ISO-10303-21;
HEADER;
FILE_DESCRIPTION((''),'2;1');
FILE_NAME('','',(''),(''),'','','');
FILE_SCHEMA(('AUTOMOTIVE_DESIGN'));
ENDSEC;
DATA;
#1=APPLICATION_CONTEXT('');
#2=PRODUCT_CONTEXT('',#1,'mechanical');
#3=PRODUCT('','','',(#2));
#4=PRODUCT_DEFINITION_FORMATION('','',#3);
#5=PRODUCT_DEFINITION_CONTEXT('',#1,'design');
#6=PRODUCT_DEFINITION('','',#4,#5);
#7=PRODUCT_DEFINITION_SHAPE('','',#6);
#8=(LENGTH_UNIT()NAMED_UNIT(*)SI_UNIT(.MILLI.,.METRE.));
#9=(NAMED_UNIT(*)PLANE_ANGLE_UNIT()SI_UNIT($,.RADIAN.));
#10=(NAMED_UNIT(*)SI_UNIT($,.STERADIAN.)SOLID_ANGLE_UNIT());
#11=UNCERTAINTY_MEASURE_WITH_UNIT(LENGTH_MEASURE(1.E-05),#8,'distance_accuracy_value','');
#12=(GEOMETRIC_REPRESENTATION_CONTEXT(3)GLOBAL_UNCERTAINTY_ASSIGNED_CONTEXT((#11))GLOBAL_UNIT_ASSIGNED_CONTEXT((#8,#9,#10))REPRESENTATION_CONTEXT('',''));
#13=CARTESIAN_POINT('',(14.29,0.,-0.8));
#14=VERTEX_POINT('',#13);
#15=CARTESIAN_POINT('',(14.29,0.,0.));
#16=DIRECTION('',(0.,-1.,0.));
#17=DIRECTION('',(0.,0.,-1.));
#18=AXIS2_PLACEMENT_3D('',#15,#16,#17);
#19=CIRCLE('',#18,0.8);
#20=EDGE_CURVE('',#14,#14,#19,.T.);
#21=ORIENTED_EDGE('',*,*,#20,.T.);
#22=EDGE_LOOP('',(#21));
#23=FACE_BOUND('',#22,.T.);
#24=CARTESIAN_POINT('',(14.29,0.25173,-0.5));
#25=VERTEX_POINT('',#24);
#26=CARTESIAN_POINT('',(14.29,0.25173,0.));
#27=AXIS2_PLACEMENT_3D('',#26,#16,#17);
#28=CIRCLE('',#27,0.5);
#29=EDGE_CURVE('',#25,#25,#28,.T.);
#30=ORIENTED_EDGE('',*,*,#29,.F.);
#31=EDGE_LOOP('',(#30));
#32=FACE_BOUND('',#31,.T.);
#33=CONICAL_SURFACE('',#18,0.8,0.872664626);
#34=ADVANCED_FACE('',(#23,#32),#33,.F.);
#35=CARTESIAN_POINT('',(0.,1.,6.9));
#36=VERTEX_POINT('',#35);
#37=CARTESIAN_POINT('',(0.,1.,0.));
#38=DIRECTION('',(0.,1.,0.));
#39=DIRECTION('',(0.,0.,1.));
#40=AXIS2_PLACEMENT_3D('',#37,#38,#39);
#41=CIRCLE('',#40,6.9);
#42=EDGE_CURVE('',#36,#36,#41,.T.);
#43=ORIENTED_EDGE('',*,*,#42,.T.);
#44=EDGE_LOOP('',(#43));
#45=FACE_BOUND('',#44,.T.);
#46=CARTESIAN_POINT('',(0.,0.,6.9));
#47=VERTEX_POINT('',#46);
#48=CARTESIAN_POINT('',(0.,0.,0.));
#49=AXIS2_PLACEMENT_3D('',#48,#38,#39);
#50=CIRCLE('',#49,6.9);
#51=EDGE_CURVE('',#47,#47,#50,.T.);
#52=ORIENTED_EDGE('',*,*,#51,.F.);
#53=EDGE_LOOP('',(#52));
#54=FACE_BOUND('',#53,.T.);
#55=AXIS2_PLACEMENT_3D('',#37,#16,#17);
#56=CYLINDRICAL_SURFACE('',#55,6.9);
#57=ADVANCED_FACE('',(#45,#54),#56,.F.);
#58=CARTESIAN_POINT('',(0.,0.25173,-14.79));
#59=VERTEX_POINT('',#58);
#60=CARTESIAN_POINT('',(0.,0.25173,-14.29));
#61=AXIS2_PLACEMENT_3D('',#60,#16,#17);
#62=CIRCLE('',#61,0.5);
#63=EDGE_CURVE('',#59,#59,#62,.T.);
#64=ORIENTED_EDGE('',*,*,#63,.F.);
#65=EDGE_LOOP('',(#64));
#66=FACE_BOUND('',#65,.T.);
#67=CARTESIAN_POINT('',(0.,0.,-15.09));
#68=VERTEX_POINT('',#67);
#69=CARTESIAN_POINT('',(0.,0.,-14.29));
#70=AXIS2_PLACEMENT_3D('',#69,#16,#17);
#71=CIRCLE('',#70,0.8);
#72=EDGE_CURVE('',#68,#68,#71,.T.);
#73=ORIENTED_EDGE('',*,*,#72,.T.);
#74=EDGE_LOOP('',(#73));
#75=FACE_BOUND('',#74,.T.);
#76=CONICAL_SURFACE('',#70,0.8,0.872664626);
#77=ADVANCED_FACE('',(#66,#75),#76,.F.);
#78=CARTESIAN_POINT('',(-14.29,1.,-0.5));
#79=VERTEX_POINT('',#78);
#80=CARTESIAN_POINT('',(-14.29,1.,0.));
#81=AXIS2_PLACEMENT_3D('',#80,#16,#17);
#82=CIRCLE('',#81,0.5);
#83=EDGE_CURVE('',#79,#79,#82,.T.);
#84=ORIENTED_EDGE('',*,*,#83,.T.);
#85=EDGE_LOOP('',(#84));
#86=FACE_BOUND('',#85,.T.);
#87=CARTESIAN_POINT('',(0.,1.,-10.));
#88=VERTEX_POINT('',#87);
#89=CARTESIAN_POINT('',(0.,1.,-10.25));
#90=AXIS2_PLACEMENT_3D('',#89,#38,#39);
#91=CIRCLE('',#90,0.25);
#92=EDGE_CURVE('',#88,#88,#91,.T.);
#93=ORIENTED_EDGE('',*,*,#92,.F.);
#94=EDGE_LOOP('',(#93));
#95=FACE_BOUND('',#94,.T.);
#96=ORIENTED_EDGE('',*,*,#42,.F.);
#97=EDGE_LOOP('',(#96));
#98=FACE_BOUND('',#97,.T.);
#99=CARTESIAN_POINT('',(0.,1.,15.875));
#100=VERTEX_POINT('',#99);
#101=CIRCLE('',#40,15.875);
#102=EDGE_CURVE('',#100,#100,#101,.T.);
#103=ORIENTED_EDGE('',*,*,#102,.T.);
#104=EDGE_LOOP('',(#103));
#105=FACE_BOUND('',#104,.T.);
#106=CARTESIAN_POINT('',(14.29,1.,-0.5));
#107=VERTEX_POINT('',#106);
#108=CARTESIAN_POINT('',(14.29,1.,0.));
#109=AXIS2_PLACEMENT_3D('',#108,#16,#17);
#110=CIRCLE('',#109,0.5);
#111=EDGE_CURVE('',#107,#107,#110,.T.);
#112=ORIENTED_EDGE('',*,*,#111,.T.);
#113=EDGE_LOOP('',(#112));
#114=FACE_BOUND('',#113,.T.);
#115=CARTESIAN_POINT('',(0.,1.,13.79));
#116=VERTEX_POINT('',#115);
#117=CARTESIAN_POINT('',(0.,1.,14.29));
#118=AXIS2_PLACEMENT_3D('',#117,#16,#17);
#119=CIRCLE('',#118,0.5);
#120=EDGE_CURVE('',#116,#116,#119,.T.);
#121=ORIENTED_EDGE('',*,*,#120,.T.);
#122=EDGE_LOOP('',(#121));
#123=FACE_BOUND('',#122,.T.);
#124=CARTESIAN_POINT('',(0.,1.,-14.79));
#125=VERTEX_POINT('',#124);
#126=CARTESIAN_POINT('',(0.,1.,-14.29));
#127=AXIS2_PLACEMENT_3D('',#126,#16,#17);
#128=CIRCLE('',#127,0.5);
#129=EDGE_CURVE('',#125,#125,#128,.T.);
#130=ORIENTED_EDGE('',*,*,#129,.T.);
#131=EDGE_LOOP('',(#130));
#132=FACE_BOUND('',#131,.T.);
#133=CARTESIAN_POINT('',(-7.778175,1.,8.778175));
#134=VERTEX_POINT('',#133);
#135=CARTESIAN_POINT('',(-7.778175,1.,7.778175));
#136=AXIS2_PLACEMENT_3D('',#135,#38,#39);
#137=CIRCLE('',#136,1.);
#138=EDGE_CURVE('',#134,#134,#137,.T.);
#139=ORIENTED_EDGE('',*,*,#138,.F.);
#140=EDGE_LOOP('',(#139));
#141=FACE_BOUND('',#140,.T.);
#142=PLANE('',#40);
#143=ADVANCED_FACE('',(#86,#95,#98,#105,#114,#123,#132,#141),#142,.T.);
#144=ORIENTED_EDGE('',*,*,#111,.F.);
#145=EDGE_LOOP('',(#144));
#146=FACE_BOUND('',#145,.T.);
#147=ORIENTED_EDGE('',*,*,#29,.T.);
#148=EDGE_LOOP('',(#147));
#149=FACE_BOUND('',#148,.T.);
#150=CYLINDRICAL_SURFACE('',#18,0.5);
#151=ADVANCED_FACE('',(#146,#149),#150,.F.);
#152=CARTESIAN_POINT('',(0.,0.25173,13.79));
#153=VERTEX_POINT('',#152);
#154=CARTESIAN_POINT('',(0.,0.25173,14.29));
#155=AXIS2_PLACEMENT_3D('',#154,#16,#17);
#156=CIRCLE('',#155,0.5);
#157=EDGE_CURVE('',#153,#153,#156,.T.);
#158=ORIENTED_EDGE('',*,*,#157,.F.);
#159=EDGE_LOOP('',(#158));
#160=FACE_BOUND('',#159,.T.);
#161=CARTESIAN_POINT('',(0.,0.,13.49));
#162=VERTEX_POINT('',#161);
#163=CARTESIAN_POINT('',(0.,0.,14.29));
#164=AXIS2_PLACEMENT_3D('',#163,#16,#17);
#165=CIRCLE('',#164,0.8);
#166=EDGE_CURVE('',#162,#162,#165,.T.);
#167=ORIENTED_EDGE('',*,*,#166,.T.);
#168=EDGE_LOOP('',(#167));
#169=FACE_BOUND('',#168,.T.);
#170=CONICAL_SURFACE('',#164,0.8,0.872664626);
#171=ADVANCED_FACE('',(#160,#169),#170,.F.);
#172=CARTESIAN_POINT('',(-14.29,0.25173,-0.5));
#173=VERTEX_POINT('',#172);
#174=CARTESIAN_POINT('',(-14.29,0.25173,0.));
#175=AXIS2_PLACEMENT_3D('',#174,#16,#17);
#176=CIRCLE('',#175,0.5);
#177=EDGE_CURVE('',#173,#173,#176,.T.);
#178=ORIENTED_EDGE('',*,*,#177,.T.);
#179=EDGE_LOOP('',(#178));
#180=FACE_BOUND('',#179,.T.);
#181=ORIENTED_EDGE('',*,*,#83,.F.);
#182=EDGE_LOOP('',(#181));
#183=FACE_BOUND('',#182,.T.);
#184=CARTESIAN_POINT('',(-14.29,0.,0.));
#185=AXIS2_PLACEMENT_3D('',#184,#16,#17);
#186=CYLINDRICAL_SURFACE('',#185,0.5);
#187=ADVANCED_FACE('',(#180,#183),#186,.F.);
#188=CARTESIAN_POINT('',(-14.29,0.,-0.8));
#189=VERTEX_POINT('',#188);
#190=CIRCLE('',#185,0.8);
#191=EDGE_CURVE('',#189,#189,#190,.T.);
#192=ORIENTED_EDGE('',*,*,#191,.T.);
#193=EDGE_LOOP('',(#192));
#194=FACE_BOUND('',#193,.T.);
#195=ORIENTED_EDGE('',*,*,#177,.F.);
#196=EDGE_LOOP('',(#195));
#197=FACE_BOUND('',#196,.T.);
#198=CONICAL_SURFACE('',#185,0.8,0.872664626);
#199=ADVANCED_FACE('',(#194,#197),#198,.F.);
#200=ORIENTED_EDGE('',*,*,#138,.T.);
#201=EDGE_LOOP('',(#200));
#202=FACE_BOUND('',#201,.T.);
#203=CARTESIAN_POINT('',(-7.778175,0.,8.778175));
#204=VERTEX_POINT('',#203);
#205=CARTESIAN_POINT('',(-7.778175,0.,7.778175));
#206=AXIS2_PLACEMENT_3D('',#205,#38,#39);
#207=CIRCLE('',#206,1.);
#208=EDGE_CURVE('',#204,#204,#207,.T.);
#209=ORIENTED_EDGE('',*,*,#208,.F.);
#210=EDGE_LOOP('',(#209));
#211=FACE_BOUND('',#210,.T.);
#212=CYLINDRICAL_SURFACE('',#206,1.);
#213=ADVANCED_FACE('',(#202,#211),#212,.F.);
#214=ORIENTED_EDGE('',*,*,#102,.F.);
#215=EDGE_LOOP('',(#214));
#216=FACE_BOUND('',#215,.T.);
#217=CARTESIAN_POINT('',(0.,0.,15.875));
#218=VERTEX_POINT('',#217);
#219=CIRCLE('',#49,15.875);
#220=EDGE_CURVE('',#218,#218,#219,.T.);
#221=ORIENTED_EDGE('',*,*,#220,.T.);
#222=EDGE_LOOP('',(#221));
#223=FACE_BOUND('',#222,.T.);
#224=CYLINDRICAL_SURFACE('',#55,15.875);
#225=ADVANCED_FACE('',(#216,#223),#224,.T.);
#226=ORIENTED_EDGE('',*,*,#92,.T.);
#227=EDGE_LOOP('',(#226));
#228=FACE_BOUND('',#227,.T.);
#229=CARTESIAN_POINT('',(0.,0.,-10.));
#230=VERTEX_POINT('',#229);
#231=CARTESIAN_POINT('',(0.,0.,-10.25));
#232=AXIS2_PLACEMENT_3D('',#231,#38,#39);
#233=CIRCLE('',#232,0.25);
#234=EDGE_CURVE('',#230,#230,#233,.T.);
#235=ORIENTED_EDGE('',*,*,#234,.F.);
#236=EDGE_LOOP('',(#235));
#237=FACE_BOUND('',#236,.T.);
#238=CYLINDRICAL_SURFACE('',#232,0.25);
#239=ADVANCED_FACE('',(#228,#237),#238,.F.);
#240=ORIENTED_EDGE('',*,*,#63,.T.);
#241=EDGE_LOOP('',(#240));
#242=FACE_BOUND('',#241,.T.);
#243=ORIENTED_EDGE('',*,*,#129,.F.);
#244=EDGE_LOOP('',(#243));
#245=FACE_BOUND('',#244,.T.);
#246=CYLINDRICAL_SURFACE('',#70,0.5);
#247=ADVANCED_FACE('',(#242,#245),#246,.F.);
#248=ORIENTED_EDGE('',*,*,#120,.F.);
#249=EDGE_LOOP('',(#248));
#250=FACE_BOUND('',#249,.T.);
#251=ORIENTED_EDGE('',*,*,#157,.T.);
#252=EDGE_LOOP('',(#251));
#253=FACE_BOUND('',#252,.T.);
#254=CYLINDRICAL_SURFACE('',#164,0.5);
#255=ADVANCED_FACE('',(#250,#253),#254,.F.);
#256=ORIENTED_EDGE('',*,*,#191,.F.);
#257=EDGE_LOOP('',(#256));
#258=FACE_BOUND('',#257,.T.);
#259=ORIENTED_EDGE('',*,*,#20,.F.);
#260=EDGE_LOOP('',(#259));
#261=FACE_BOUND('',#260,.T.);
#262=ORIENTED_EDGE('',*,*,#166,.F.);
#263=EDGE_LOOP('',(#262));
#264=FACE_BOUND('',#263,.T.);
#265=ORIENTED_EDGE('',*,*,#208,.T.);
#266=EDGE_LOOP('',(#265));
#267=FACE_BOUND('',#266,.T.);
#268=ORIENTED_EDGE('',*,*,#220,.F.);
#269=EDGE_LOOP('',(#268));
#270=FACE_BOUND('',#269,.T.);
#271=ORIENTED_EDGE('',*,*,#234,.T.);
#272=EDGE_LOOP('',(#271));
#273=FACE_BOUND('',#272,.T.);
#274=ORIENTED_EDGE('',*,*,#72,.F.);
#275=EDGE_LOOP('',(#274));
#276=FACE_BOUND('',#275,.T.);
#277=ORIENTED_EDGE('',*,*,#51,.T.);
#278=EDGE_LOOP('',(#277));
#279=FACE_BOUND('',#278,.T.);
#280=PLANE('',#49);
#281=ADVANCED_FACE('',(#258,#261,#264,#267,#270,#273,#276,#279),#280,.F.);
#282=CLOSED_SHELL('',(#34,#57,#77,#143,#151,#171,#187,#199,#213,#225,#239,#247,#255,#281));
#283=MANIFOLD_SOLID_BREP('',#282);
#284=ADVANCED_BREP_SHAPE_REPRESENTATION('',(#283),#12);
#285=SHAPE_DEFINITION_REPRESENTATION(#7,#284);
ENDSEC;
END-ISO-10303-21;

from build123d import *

# Parameters (mm, degrees)
SKETCH1_R                                       = 15.875
SKETCH1_R_2                                     = 6.9
BOSS_EXTRUDE1_DEPTH                             = 1
CSK_FOR_M2_FLAT_HEAD_MACHINE_SCREW1_D           = 1
CSK_FOR_M2_FLAT_HEAD_MACHINE_SCREW1_CSINK_D     = 1.6
CSK_FOR_M2_FLAT_HEAD_MACHINE_SCREW1_CSINK_ANGLE = 100
CUT_EXTRUDE1_DEPTH                              = 23.472900347
CUT_EXTRUDE1_DEPTH_BACK                         = 23.472900347
SKETCH4_R                                       = 0.25
SKETCH4_R_2                                     = 1


with BuildPart() as part:
    # Sketch1 → Boss-Extrude1 (new body)
    with BuildSketch(Plane(origin=(0, 0, 0), x_dir=(1, 0, 0), z_dir=(0, 1, 0))):
        with Locations(Location((0, 0, 0), (0, 0, 270))):
            Circle(SKETCH1_R)
        with Locations(Location((0, 0, 0), (0, 0, 270))):
            Circle(SKETCH1_R_2, mode=Mode.SUBTRACT)
    extrude(amount=BOSS_EXTRUDE1_DEPTH)

    # CSK for M2 Flat Head Machine Screw1 (through all)
    with Locations(Plane(origin=(0, 0, 0), x_dir=(-1, 0, 0), z_dir=(0, -1, 0))):
        with Locations((0, -14.29), (-14.29, 0), (0, 14.29), (14.29, 0)):
            CounterSinkHole(CSK_FOR_M2_FLAT_HEAD_MACHINE_SCREW1_D / 2, CSK_FOR_M2_FLAT_HEAD_MACHINE_SCREW1_CSINK_D / 2, counter_sink_angle=CSK_FOR_M2_FLAT_HEAD_MACHINE_SCREW1_CSINK_ANGLE)

    # Sketch4 → Cut-Extrude1 (cut, two sides: drawn at the far end of the back side and taken through both)
    with BuildSketch(Plane(origin=(0, 1, 0), x_dir=(1, 0, 0), z_dir=(0, 1, 0)).offset(-CUT_EXTRUDE1_DEPTH_BACK)):
        with Locations(Location((0, 10.25, 0), (0, 0, 270))):
            Circle(SKETCH4_R)
        with Locations(Location((-7.778174593, -7.778174593, 0), (0, 0, 270))):
            Circle(SKETCH4_R_2)
    extrude(amount=CUT_EXTRUDE1_DEPTH + CUT_EXTRUDE1_DEPTH_BACK, mode=Mode.SUBTRACT)


solid = part.part
